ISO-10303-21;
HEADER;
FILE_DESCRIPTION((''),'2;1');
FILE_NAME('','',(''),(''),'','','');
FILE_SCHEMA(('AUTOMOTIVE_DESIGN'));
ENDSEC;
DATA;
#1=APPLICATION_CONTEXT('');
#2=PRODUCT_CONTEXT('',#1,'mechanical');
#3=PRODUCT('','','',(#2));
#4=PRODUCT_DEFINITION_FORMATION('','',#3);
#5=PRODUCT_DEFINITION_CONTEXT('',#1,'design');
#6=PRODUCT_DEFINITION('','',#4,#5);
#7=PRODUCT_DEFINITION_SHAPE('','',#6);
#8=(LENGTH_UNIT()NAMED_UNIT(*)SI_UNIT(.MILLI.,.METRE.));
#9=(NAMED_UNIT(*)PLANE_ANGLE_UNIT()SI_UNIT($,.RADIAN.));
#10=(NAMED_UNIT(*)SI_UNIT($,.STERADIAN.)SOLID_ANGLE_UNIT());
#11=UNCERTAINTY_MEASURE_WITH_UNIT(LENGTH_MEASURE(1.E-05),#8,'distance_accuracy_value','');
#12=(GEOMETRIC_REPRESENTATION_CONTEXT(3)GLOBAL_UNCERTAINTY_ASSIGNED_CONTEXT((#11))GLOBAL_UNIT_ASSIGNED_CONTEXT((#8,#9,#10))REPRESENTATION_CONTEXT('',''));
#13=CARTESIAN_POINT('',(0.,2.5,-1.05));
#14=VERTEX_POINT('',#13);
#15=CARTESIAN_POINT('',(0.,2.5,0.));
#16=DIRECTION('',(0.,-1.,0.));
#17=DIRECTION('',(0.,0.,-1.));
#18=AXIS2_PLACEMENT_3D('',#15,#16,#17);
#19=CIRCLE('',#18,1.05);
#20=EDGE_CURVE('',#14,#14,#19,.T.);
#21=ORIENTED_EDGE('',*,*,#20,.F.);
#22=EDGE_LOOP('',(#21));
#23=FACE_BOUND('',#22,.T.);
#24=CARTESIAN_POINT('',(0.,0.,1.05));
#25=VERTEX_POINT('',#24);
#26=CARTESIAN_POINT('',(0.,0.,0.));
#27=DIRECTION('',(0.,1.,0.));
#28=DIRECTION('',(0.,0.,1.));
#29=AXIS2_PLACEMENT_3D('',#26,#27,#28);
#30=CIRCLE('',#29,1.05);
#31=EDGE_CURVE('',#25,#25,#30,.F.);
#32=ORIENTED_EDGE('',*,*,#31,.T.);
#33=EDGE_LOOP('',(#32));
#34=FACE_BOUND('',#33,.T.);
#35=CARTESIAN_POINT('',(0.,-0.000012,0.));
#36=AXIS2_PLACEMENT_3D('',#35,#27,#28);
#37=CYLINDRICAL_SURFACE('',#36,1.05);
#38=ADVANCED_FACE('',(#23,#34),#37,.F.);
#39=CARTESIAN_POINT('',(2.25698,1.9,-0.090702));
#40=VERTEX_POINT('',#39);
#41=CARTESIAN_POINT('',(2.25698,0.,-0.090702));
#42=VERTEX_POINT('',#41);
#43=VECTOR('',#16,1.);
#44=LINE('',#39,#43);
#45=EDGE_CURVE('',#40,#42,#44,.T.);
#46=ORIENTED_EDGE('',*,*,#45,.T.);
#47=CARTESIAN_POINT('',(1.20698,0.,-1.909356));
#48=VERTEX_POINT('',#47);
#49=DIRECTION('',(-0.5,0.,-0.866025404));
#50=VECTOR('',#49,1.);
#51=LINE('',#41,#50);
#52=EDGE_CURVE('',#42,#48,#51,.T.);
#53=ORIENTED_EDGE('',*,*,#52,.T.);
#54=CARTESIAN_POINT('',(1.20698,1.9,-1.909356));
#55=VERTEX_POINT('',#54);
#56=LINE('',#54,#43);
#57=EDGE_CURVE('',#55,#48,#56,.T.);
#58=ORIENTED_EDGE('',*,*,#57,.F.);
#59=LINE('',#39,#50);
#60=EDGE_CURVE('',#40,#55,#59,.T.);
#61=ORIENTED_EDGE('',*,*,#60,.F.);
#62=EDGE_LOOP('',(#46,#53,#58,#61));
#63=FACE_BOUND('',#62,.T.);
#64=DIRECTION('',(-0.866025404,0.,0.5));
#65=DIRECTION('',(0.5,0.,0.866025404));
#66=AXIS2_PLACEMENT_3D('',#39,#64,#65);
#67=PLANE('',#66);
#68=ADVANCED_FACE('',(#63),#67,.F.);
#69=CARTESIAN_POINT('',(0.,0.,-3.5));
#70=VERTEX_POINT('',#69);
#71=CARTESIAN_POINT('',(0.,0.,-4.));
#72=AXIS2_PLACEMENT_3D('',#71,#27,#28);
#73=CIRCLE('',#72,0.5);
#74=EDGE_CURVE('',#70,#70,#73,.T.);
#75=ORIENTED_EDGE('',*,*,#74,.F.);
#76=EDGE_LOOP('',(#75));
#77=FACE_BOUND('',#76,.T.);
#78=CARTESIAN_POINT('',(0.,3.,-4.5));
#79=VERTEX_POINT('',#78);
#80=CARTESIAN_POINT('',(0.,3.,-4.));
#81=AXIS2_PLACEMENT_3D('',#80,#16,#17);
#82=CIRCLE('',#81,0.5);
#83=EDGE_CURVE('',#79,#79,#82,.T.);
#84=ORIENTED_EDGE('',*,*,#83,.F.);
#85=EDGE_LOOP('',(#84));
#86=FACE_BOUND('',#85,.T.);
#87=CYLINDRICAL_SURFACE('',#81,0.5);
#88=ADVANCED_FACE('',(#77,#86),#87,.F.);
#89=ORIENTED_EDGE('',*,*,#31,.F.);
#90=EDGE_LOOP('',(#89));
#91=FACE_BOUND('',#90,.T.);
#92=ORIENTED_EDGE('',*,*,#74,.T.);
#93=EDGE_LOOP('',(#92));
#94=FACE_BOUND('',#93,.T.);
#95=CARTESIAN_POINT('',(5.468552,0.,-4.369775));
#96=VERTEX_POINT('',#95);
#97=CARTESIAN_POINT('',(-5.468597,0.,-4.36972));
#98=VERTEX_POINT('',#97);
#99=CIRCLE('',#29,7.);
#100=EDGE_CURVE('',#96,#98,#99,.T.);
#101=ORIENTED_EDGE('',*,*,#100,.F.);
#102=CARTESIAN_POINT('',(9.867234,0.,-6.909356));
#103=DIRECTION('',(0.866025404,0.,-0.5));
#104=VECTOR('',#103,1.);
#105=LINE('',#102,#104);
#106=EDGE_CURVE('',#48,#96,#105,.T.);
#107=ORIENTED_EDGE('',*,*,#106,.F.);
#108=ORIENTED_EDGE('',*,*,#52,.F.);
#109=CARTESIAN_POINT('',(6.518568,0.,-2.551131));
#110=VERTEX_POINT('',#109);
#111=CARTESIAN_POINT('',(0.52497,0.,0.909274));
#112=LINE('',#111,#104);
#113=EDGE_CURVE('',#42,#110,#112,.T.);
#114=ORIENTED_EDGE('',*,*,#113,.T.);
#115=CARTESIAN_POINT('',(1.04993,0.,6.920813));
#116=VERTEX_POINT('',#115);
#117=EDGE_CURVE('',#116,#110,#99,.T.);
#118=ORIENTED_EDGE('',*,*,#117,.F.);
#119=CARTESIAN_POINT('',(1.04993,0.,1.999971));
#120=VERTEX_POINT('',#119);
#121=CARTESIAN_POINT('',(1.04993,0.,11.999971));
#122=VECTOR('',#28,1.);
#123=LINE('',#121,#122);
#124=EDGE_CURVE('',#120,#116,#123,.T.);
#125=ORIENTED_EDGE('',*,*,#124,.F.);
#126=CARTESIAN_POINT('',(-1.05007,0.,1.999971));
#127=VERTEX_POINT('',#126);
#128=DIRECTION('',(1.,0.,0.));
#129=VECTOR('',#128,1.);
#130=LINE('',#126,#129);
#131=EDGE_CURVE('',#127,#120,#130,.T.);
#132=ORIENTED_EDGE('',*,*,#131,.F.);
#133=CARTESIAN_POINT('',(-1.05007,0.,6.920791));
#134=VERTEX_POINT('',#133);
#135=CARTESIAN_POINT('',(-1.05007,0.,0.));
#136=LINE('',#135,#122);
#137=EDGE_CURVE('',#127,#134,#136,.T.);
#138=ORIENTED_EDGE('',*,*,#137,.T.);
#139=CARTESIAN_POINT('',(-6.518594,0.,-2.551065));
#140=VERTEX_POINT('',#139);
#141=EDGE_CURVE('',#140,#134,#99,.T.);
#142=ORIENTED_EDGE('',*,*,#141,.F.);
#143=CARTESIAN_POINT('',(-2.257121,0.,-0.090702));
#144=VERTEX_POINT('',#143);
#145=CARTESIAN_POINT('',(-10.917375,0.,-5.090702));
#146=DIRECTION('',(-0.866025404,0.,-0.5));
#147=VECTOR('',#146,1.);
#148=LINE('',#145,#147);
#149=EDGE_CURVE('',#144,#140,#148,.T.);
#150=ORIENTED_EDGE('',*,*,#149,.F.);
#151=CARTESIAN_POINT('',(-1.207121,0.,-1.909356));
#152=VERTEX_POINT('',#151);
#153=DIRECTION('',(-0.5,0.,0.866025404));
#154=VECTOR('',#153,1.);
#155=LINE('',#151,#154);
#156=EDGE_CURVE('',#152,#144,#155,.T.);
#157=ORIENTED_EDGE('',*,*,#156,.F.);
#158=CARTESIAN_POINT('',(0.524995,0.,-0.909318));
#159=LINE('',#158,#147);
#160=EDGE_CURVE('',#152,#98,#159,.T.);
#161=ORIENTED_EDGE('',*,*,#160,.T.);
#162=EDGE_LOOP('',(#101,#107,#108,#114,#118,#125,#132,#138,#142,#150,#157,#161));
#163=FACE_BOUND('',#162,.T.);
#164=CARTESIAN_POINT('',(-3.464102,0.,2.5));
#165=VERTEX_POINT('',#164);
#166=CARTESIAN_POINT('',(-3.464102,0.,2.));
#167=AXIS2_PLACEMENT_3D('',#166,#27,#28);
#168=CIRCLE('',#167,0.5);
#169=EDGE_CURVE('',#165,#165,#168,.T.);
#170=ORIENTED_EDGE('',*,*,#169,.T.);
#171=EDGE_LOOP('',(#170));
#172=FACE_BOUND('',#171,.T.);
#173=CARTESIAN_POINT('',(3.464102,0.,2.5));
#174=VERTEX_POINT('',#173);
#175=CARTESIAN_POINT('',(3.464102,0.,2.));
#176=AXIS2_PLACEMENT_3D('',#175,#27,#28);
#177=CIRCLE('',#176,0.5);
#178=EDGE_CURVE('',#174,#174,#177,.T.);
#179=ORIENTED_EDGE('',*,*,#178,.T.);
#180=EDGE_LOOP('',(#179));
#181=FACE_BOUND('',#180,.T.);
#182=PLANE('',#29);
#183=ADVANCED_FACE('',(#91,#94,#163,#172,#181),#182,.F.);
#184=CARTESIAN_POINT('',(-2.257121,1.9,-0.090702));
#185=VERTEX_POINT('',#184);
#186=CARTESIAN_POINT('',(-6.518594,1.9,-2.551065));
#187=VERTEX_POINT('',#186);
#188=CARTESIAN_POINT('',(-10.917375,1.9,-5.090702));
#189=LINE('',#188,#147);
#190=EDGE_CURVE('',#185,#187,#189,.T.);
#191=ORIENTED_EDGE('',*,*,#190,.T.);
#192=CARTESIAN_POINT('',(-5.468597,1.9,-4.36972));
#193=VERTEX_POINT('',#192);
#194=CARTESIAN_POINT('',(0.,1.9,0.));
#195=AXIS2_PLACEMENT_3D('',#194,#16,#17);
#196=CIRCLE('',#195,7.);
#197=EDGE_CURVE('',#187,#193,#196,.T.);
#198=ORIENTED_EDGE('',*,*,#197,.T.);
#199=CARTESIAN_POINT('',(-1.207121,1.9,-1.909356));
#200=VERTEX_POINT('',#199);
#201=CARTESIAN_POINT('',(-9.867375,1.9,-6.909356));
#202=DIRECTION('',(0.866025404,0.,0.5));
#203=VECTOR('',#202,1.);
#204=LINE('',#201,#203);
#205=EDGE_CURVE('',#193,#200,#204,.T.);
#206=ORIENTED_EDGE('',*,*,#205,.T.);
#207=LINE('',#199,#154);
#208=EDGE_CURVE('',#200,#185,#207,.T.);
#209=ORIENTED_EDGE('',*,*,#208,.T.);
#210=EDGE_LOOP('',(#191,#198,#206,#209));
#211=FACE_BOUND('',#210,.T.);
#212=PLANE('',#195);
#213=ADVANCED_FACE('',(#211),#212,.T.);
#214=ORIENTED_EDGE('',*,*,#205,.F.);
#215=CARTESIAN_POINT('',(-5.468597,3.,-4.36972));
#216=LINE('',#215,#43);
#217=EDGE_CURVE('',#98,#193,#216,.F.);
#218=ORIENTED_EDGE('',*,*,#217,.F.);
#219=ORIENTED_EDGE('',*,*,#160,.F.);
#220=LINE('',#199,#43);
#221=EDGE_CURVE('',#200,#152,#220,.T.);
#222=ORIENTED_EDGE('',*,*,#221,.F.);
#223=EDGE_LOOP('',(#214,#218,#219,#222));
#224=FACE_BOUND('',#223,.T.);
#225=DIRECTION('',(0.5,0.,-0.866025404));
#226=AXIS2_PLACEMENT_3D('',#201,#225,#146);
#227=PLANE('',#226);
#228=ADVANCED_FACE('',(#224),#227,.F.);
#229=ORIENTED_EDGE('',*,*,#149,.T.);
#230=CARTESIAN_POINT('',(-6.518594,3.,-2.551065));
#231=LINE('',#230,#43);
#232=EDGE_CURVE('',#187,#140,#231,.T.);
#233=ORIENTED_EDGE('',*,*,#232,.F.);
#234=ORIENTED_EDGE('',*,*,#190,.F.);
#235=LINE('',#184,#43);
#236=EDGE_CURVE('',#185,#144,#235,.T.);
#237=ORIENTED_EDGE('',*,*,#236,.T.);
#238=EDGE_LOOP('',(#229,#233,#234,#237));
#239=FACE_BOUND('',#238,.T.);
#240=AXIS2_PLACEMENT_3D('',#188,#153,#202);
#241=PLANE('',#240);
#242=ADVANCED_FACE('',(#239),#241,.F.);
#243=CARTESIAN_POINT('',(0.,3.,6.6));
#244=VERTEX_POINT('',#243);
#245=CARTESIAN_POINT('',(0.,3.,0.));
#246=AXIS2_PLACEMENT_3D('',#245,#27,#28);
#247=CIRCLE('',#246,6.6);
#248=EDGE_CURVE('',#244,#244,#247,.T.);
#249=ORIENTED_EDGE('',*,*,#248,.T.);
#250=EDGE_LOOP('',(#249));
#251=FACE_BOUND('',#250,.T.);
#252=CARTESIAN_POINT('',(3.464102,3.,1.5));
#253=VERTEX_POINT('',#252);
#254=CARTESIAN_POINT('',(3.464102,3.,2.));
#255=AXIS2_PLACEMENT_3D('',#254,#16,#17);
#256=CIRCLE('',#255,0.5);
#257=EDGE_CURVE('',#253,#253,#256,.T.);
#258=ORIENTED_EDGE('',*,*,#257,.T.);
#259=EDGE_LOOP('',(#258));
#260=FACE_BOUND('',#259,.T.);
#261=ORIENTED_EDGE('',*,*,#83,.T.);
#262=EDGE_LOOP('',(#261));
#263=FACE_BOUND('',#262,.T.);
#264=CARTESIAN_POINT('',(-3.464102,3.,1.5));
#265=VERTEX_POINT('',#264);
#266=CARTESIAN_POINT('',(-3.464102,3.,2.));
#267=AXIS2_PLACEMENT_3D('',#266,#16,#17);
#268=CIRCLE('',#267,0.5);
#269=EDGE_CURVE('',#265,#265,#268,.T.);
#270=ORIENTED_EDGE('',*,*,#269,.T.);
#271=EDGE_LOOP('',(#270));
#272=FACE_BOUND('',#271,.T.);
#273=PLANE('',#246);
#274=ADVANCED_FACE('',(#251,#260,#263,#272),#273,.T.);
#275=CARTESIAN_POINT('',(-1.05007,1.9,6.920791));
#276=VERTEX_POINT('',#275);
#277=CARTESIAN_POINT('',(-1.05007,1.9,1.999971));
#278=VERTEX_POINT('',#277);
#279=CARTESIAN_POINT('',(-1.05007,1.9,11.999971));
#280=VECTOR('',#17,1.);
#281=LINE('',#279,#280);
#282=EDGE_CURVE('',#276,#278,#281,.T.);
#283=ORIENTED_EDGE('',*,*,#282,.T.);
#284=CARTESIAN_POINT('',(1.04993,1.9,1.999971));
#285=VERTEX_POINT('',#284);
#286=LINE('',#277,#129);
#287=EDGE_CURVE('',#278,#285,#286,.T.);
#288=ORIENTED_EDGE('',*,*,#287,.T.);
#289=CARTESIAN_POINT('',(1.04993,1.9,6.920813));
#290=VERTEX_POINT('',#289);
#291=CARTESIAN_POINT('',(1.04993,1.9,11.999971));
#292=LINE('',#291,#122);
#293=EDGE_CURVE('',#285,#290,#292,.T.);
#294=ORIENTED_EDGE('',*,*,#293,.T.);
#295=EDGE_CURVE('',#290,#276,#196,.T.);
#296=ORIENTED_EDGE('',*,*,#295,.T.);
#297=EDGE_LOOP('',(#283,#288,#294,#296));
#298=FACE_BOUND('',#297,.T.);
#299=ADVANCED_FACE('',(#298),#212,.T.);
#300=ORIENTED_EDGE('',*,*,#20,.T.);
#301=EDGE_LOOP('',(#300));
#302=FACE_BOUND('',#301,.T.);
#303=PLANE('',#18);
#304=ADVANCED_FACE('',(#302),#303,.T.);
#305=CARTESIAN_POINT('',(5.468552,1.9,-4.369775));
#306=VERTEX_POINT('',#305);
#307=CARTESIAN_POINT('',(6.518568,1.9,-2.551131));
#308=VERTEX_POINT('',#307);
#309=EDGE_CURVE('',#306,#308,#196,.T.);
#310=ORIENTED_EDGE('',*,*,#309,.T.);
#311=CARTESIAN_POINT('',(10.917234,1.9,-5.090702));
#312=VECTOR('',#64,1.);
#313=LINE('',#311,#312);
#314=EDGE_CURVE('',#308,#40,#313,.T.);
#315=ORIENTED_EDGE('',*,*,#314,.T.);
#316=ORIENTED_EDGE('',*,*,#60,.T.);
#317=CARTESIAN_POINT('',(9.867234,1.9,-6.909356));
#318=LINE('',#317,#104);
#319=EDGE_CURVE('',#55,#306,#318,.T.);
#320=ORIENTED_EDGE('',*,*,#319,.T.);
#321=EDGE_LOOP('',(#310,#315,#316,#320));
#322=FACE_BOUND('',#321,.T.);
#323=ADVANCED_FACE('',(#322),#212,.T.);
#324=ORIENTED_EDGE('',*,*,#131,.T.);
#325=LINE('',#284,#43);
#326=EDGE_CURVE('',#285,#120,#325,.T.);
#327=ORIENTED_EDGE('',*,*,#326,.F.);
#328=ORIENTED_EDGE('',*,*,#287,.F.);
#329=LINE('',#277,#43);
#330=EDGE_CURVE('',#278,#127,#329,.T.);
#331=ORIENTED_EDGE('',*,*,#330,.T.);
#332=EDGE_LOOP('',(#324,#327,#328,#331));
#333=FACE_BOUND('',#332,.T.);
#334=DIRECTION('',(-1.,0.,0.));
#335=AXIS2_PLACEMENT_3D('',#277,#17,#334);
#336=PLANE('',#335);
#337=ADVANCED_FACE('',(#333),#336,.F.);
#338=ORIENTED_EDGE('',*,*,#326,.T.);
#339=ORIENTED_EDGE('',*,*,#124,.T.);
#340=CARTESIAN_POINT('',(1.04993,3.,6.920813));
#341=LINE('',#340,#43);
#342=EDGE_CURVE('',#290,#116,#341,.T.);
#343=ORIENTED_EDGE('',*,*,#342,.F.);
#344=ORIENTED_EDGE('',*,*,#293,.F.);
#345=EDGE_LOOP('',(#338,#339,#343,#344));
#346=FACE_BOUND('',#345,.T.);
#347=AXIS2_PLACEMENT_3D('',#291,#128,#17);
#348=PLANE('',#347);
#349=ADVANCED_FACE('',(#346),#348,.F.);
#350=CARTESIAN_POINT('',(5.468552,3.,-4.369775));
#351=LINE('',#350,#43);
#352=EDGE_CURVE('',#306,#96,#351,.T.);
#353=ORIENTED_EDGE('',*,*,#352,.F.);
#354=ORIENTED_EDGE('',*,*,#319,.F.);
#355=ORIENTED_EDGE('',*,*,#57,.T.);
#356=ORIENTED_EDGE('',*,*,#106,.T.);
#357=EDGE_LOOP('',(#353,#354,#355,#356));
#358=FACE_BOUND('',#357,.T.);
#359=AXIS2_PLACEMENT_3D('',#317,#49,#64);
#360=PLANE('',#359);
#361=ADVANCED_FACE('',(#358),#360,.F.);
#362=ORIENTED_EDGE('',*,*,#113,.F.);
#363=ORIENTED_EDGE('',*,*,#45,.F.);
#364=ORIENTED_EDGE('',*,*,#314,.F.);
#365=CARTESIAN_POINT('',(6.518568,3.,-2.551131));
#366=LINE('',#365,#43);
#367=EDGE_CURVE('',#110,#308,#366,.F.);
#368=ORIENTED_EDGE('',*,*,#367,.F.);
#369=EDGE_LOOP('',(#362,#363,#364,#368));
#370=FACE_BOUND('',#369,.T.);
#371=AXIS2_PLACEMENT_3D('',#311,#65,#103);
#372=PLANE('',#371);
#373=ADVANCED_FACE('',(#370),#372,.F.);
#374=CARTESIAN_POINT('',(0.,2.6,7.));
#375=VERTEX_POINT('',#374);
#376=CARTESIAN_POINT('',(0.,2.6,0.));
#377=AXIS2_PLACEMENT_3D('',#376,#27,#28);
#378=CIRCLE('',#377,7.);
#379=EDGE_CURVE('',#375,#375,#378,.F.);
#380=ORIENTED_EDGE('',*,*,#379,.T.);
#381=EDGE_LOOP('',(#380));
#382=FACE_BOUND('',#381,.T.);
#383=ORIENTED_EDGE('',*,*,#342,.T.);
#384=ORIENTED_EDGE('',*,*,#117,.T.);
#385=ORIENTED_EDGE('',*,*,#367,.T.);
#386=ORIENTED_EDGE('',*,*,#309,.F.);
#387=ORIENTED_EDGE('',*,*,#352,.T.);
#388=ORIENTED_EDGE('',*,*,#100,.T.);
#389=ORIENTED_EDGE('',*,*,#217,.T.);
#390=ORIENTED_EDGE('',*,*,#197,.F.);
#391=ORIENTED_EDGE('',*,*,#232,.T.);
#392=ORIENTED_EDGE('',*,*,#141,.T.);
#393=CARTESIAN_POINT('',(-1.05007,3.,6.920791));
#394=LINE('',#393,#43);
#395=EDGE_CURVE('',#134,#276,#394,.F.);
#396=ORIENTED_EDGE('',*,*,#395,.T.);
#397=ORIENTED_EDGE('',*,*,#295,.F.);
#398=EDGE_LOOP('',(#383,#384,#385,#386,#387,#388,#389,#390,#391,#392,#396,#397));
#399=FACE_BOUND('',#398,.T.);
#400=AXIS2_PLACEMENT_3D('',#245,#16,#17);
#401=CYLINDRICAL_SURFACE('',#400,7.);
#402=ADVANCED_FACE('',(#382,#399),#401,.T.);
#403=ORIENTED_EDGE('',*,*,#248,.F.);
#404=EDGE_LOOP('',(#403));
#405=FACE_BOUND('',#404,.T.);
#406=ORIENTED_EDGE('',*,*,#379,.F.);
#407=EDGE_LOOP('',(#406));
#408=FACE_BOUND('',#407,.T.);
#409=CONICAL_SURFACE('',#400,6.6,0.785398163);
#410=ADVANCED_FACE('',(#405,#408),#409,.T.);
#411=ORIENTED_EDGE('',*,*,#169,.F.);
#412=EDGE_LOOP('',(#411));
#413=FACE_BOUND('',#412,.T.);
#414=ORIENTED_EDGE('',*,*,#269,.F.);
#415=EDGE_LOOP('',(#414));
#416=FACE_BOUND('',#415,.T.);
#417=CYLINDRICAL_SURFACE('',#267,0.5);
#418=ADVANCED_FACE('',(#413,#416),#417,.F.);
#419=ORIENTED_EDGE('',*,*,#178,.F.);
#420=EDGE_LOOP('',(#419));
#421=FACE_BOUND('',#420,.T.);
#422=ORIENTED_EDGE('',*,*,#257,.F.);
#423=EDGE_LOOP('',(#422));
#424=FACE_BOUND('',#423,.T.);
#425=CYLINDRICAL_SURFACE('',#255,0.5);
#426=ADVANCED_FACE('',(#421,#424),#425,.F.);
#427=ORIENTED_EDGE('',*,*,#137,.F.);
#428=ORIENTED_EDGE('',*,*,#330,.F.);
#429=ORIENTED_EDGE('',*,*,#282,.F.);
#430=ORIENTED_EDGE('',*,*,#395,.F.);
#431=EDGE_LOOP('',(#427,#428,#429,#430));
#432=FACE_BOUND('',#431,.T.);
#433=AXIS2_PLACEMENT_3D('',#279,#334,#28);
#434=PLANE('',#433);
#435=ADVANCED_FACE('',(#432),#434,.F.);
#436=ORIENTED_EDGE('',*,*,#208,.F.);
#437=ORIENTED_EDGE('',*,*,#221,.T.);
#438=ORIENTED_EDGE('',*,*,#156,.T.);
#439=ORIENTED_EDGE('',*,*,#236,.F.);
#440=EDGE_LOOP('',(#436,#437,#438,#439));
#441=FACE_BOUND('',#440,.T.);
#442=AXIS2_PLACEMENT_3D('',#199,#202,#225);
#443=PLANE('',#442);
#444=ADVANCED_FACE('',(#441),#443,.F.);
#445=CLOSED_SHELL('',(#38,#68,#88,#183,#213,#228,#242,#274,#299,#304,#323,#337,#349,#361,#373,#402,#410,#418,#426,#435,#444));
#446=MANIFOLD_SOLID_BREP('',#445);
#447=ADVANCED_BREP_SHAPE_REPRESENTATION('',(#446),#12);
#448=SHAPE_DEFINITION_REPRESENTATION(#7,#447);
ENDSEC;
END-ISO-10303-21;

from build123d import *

# Parameters (mm, degrees)
SKETCH_1_R               = 7
EXTRUDE_1_DEPTH          = 3
SKETCH_2_W               = 2.1
SKETCH_2_H               = 10
CUT_EXTRUDE_1_DEPTH      = 1.9
SKETCH_3_R               = 1.05
CUT_EXTRUDE_2_DEPTH      = 1
CUT_EXTRUDE_2_DEPTH_BACK = 2.5
SKETCH_4_R               = 0.5
CUT_EXTRUDE_3_DEPTH      = 1
CUT_EXTRUDE_3_DEPTH_BACK = 4
CHAMFER_1_SIZE           = 0.4


with BuildPart() as part:
    # Эскиз1 → Бобышка-Вытянуть1 (new body)
    with BuildSketch(Plane(origin=(0, 0, 0), x_dir=(1, 0, 0), z_dir=(0, 1, 0))):
        Circle(SKETCH_1_R)
    extrude(amount=EXTRUDE_1_DEPTH)

    # Эскиз2 → Вырез-Вытянуть1 (cut)
    with BuildSketch(Plane.XZ):
        Polygon((10.917234456, -5.090702278), (9.867234456, -6.909355626), (1.206980418, -1.909355626), (2.256980418, -0.090702278), align=None)
        with Locations((-7.039e-05, 6.999971048)):
            Rectangle(SKETCH_2_W, SKETCH_2_H)
        Polygon((-9.867375235, -6.909355626), (-10.917375235, -5.090702278), (-2.257121197, -0.090702278), (-1.207121197, -1.909355626), align=None)
    extrude(amount=-CUT_EXTRUDE_1_DEPTH, mode=Mode.SUBTRACT)

    # Эскиз3 → Вырез-Вытянуть2 (cut, two sides)
    with BuildSketch(Plane.XZ) as cut_extrude_2_sk:
        Circle(SKETCH_3_R)
    extrude(amount=CUT_EXTRUDE_2_DEPTH, mode=Mode.SUBTRACT)
    extrude(cut_extrude_2_sk.sketch, amount=-CUT_EXTRUDE_2_DEPTH_BACK, mode=Mode.SUBTRACT)

    # Эскиз4 → Вырез-Вытянуть3 (cut, two sides)
    with BuildSketch(Plane.XZ) as cut_extrude_3_sk:
        with Locations((0, -4)):
            Circle(SKETCH_4_R)
        with Locations((-3.464101615, 2)):
            Circle(SKETCH_4_R)
        with Locations((3.464101615, 2)):
            Circle(SKETCH_4_R)
    extrude(amount=CUT_EXTRUDE_3_DEPTH, mode=Mode.SUBTRACT)
    extrude(cut_extrude_3_sk.sketch, amount=-CUT_EXTRUDE_3_DEPTH_BACK, mode=Mode.SUBTRACT)

    # Фаска1
    chamfer_1_edges = [part.edges().sort_by_distance(p)[0] for p in [
        (-7, 3, 0),
    ]]
    chamfer(chamfer_1_edges, length=CHAMFER_1_SIZE)


solid = part.part
